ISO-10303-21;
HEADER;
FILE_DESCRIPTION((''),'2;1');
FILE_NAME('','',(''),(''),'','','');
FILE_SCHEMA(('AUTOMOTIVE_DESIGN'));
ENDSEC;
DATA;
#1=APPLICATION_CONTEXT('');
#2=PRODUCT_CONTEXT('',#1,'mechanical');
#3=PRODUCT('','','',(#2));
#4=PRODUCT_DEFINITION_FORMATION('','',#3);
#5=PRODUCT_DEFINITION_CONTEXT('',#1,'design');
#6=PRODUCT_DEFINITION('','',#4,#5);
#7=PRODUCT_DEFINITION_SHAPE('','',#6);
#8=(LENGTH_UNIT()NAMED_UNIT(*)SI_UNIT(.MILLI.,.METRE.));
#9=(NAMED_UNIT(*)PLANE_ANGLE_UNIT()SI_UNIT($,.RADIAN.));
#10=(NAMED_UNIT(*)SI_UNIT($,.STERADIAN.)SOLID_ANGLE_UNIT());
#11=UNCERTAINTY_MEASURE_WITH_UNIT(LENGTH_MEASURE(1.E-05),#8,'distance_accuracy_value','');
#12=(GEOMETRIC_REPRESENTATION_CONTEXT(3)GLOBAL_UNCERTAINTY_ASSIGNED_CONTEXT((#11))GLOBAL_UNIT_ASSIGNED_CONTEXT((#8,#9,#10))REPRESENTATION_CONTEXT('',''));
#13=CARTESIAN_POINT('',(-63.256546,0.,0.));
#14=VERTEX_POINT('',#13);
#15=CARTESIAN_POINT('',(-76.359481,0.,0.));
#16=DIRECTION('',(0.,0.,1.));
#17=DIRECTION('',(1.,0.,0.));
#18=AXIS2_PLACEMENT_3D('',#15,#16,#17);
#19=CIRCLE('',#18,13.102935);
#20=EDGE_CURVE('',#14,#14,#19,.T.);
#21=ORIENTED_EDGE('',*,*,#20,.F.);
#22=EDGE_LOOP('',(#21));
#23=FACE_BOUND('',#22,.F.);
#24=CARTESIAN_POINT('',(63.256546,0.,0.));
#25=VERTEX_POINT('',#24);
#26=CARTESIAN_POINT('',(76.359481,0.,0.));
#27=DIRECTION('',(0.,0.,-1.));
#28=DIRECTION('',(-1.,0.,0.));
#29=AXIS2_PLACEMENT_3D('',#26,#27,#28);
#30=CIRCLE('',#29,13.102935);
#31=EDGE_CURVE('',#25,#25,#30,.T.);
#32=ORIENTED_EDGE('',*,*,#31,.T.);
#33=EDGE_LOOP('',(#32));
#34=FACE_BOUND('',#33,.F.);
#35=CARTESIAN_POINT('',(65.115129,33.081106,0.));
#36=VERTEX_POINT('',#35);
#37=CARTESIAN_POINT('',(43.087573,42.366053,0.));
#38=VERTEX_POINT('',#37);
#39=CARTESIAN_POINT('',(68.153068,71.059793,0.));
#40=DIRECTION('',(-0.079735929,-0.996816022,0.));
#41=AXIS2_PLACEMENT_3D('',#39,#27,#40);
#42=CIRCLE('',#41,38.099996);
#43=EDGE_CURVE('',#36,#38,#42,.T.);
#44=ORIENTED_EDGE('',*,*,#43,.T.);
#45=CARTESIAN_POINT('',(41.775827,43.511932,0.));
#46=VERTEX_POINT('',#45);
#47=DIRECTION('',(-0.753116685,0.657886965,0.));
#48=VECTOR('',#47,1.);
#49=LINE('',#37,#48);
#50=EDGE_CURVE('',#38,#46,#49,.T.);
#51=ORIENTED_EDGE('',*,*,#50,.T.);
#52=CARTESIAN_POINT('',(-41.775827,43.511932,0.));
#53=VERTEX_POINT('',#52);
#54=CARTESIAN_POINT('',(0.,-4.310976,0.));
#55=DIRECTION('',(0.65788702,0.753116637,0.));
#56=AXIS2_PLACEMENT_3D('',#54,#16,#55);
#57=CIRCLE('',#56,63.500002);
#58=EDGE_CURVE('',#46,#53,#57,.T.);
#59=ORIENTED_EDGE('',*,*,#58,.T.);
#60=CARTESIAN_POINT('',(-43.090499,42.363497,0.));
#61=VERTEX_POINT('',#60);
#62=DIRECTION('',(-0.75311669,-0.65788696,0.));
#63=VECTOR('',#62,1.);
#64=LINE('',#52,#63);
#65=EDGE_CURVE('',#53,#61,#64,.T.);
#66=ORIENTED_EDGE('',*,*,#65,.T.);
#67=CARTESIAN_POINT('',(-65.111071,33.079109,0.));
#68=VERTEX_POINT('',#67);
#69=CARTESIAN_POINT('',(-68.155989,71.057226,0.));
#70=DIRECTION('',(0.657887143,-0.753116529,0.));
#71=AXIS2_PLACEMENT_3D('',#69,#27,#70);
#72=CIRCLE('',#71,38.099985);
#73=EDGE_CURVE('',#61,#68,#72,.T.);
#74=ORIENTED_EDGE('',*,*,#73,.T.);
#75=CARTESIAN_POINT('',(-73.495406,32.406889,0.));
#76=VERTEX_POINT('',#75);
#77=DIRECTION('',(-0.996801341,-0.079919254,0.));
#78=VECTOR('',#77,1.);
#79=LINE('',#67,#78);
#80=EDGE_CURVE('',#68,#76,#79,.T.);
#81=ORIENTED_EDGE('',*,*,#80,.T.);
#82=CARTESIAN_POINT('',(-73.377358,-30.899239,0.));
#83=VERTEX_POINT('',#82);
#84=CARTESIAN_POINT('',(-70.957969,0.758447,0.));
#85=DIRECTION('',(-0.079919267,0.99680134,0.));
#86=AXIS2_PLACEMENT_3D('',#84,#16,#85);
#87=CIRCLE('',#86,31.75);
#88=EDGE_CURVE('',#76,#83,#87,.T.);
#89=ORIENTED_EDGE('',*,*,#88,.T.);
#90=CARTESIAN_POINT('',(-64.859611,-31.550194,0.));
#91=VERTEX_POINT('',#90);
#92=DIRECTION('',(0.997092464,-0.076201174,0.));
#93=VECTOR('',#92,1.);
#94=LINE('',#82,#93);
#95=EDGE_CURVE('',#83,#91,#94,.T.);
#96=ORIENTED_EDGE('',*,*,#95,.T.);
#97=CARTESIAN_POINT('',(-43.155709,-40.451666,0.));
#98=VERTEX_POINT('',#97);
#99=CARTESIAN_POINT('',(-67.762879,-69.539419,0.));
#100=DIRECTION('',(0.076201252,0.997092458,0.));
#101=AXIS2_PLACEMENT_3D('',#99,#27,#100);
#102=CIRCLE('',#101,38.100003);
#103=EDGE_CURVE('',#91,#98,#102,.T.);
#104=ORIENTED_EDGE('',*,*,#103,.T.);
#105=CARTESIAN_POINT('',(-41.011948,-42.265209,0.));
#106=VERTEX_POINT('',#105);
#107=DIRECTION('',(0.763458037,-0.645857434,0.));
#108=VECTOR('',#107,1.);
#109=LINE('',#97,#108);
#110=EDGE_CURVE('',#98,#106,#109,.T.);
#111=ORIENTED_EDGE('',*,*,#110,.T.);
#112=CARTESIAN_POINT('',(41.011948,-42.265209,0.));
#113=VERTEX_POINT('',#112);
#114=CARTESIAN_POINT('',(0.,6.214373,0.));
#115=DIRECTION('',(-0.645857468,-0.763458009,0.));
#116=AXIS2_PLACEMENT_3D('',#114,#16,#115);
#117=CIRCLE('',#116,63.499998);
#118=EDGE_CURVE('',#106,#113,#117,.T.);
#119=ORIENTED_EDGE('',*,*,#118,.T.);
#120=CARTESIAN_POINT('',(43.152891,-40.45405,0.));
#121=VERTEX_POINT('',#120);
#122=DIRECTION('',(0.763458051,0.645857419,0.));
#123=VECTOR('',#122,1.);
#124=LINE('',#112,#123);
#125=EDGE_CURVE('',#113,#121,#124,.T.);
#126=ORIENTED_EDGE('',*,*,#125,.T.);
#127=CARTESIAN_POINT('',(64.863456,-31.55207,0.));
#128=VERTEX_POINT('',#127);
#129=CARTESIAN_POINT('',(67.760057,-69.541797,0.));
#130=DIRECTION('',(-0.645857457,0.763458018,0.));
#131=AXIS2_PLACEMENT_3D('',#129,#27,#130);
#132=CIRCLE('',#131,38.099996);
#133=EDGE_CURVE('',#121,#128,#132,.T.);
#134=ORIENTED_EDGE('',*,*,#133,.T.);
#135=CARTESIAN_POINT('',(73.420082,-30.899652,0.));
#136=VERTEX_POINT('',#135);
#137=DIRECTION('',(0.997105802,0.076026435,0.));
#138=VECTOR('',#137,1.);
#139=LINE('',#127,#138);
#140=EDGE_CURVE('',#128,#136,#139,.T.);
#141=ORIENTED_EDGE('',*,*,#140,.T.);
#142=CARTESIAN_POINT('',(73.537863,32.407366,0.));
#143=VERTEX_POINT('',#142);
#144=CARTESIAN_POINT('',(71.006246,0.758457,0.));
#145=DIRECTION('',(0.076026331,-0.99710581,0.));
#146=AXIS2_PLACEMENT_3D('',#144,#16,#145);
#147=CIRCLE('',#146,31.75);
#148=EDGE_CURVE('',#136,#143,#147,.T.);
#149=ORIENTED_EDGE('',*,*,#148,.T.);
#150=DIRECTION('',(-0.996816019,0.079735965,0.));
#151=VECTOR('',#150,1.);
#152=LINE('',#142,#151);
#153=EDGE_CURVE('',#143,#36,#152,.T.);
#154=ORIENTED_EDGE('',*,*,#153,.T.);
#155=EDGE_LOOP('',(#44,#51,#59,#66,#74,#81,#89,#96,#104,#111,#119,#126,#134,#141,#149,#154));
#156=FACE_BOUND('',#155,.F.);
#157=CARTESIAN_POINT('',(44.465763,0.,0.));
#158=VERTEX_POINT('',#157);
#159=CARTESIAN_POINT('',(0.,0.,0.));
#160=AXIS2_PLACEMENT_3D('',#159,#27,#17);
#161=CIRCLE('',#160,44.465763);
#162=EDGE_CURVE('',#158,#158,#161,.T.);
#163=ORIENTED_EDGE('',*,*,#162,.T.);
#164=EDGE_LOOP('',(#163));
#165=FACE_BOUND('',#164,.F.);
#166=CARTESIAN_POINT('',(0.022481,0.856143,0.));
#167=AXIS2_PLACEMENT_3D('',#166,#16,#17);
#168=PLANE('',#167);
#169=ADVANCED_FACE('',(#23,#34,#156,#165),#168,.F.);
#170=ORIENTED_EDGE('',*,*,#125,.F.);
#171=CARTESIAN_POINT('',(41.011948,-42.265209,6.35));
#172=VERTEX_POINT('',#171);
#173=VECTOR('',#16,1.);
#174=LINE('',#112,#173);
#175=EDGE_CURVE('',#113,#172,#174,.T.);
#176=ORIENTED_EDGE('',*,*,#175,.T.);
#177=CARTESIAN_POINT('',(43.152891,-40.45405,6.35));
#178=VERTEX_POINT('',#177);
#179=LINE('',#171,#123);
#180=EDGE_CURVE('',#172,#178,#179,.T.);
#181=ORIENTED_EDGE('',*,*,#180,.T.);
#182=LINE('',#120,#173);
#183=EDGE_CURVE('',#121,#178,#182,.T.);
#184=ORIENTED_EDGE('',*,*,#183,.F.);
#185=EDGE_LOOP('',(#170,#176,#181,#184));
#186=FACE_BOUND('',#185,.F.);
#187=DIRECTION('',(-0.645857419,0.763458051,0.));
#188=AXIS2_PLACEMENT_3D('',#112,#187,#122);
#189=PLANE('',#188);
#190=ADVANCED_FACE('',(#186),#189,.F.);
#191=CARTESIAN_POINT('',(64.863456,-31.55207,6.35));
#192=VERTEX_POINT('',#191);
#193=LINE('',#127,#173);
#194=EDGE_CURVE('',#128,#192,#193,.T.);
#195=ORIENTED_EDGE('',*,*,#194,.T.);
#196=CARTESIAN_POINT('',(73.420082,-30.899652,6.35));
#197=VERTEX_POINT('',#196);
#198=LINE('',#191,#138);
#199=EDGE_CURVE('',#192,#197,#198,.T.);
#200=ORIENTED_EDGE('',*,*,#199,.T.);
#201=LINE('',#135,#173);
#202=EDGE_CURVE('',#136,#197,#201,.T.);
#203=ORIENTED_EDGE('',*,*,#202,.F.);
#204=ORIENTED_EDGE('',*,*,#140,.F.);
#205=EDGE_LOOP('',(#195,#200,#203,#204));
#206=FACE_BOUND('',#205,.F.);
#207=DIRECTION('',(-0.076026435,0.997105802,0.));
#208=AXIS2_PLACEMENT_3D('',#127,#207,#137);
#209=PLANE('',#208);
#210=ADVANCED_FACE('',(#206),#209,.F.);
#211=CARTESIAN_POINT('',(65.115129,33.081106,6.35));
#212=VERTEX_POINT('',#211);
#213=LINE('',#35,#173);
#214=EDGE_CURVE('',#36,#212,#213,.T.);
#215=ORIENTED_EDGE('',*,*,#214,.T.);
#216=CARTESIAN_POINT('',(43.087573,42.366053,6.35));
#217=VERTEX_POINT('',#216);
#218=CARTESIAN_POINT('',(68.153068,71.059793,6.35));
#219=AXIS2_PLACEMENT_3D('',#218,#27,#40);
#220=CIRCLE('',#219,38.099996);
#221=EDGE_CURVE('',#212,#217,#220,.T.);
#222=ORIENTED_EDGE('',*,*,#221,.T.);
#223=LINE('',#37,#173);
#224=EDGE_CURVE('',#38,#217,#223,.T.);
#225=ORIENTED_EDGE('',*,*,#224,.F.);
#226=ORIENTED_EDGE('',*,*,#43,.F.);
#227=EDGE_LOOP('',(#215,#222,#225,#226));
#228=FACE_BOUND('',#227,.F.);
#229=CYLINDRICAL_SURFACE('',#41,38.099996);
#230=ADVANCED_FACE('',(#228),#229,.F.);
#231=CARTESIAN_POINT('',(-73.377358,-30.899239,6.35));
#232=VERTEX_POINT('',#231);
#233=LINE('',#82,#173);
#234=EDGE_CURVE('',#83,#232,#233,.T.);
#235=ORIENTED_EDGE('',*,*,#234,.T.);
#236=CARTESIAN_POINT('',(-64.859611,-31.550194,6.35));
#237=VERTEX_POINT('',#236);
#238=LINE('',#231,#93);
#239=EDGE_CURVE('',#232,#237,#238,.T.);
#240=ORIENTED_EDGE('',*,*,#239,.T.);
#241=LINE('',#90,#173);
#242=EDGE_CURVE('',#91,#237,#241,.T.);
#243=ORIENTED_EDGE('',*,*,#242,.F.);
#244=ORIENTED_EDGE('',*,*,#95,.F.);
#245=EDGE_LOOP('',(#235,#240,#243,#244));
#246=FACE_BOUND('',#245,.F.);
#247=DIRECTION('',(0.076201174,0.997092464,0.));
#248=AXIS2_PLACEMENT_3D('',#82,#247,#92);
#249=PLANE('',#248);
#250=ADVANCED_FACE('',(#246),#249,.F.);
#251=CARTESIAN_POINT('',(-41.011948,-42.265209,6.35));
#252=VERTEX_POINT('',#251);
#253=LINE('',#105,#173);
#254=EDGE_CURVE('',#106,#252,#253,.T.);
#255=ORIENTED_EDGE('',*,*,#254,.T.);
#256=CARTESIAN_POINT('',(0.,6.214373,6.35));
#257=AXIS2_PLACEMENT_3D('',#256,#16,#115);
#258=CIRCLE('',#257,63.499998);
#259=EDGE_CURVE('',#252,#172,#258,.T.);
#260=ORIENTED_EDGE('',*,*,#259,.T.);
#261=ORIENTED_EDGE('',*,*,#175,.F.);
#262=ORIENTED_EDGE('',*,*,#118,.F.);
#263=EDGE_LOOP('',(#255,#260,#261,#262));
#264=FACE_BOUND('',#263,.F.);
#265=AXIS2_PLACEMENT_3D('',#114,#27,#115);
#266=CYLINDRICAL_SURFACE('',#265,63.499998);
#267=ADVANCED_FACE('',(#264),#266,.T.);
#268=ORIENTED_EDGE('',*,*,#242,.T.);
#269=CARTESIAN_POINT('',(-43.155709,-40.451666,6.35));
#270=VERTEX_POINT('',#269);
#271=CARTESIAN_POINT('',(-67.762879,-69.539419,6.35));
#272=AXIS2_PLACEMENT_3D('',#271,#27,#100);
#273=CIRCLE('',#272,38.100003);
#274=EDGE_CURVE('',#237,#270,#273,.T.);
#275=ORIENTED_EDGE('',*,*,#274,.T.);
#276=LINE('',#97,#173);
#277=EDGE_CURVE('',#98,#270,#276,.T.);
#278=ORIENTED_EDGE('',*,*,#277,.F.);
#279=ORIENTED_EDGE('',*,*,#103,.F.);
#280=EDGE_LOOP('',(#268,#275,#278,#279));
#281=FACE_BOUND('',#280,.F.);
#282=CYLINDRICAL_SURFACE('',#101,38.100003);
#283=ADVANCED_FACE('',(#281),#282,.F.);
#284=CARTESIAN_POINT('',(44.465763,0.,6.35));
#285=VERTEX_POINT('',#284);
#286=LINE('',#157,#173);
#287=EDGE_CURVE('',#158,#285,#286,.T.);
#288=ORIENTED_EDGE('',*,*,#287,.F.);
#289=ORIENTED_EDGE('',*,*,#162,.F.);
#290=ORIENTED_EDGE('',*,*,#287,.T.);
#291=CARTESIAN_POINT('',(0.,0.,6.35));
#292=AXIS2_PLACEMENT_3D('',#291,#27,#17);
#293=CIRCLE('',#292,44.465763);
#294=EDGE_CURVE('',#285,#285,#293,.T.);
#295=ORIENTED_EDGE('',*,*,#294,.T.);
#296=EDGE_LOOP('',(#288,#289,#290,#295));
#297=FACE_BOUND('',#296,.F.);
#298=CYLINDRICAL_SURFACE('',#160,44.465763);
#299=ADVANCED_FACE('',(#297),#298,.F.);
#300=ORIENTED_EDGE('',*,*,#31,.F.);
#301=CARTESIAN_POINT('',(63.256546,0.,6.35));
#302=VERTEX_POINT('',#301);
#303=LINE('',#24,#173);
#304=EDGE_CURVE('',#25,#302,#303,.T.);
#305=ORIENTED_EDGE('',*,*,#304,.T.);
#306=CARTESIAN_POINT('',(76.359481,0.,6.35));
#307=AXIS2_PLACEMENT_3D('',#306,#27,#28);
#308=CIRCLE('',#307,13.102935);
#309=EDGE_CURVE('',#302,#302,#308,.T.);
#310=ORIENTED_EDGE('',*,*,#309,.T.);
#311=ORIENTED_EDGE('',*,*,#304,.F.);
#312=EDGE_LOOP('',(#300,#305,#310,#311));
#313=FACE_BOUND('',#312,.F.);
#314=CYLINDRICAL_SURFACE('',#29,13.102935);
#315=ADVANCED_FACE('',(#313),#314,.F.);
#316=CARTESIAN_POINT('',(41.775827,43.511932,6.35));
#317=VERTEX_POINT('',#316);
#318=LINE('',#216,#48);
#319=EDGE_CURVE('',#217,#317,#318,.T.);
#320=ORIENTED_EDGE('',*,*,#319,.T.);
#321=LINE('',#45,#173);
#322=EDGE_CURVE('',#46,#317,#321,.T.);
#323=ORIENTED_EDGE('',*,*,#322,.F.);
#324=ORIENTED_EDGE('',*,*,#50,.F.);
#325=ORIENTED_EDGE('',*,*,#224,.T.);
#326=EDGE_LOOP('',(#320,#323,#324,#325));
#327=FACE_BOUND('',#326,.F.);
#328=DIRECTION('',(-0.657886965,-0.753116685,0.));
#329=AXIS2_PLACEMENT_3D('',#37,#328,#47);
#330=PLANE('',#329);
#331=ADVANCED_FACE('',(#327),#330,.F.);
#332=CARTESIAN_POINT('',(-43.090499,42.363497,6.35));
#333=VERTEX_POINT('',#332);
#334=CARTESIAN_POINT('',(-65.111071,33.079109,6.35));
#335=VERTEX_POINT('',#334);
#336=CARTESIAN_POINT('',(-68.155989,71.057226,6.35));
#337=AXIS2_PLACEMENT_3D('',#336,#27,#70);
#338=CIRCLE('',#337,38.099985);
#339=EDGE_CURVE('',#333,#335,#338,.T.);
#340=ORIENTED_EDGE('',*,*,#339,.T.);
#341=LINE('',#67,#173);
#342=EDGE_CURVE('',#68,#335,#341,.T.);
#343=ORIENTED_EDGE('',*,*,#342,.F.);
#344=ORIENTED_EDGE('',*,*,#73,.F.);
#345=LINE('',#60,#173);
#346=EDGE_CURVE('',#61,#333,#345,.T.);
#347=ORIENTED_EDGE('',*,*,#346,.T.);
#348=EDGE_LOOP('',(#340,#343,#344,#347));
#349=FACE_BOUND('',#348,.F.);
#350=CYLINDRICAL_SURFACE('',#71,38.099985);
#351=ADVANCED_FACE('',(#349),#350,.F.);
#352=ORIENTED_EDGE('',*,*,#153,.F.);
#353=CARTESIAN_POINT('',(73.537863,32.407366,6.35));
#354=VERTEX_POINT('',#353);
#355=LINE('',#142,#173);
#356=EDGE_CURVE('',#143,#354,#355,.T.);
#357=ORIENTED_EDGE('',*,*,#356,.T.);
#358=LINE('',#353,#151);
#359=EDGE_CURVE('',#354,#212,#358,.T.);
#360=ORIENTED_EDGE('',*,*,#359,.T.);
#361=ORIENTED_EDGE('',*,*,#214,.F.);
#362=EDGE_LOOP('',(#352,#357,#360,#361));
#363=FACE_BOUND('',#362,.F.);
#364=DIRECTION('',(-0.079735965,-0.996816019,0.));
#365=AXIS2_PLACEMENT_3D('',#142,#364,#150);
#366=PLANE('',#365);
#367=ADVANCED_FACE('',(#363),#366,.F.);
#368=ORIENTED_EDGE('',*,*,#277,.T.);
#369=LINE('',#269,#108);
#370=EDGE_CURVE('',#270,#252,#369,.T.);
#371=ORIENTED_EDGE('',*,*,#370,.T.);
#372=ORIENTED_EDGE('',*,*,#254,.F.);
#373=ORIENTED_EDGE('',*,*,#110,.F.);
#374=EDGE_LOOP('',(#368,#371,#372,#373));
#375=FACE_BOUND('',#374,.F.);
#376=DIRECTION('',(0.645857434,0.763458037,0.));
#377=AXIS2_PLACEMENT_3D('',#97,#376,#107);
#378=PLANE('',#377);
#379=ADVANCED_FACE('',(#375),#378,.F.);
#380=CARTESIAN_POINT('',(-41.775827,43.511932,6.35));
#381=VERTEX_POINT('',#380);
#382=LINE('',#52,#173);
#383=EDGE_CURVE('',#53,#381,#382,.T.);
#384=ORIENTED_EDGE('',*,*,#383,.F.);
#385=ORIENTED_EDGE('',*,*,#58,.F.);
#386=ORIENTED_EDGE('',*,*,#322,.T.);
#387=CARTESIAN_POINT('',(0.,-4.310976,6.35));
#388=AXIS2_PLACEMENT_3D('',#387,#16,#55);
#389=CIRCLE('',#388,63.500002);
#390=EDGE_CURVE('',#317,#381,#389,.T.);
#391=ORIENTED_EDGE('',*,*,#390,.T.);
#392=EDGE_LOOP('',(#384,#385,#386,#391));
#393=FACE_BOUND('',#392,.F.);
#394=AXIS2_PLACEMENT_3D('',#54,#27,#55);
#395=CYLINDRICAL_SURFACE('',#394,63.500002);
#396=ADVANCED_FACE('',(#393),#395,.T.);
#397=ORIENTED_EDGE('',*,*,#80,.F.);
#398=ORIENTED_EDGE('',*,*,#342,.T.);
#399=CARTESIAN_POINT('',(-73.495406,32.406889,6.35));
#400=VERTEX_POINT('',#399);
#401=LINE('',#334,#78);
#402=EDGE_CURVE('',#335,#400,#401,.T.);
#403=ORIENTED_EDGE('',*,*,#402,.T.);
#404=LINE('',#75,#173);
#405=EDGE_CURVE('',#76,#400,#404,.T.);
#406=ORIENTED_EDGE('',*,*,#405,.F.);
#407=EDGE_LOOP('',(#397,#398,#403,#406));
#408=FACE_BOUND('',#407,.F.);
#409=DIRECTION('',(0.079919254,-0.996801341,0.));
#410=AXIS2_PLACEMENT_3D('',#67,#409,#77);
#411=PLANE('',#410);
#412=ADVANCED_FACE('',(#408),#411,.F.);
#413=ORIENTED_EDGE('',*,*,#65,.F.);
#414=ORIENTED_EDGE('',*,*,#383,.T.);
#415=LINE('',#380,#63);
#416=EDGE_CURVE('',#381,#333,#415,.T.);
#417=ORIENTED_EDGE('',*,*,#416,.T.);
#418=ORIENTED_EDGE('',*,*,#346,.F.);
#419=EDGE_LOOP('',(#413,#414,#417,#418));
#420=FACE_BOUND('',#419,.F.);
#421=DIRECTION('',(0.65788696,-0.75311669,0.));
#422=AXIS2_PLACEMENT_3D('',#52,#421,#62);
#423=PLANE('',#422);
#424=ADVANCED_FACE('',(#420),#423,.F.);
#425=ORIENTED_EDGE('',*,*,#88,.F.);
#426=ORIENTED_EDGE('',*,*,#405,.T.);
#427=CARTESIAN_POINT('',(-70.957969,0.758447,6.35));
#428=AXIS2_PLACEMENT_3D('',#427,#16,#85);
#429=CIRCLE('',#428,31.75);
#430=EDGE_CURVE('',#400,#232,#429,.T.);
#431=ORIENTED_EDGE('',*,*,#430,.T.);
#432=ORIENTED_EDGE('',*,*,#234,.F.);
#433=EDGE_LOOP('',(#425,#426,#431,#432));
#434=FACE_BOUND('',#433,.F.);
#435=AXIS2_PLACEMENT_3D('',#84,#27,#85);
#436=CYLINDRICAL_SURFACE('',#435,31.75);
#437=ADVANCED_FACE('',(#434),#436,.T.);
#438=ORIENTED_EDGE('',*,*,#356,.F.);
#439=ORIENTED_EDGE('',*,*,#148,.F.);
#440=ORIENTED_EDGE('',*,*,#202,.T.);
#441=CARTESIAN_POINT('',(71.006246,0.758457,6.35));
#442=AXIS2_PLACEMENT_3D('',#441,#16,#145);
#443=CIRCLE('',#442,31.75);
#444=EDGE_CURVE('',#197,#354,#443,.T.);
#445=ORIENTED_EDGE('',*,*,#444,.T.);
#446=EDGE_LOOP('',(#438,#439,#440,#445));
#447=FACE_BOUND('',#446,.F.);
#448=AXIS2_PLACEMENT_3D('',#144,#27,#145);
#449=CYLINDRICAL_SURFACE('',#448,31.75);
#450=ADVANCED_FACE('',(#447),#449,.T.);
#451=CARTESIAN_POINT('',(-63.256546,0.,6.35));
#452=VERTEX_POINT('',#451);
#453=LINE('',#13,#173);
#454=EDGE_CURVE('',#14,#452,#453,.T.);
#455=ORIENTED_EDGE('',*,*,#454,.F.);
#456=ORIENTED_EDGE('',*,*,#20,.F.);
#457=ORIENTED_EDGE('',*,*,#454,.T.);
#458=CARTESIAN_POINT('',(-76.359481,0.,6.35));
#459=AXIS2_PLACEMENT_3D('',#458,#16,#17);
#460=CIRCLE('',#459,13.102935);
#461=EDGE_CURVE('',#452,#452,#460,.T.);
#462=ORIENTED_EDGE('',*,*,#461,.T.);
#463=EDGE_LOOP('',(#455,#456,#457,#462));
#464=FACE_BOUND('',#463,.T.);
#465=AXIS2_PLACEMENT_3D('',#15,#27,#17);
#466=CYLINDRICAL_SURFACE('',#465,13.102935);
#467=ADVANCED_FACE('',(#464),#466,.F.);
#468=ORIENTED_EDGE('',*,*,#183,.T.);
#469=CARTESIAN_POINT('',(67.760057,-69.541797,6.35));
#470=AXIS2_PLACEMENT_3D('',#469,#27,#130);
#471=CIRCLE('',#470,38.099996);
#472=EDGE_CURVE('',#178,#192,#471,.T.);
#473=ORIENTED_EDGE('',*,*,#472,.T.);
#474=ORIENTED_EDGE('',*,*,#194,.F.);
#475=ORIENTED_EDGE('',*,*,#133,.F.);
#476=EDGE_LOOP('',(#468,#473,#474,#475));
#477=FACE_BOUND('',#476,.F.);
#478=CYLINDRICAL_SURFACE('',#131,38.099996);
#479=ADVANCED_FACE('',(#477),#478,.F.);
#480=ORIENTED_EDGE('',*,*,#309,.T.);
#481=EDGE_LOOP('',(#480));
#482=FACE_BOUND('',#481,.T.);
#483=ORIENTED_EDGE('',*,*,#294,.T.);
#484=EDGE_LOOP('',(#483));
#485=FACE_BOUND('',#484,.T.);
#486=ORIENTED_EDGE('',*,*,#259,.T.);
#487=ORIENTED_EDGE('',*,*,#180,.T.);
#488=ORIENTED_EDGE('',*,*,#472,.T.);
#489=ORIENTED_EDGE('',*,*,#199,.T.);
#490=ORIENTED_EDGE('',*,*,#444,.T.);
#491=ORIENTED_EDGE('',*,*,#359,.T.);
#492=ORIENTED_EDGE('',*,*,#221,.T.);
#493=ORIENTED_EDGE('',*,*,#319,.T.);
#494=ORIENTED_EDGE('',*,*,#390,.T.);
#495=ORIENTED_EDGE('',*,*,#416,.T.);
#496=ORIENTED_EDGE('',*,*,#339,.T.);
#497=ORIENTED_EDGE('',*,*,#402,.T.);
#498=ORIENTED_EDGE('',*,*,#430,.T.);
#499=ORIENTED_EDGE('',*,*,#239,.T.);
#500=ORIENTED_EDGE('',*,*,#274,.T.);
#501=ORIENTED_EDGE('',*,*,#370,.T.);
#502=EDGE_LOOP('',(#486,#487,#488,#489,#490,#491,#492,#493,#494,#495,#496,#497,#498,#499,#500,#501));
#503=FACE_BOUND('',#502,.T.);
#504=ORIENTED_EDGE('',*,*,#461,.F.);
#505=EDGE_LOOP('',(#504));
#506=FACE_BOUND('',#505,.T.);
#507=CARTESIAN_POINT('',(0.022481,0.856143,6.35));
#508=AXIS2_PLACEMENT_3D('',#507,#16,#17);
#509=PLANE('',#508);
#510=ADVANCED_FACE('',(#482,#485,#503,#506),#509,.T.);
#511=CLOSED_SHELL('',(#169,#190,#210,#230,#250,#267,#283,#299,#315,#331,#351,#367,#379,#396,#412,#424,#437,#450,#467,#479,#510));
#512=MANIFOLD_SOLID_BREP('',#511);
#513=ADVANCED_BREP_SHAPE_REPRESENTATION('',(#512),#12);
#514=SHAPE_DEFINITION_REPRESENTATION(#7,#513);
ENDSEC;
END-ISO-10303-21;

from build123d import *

# Parameters (mm, degrees)
F0_R     = 13.102935
F1_DEPTH = 6.35


with BuildPart() as f1:
    # F0 (on Top) → F1 (new body)
    with BuildSketch(Plane.XY):
        with BuildLine():
            Line((-65.111071, 33.079109), (-73.495406, 32.406889))
            ThreePointArc((-73.495406, 32.406889), (-102.707914, 0.699242), (-73.377358, -30.899239))
            Line((-73.377358, -30.899239), (-64.859611, -31.550194))
            ThreePointArc((-64.859611, -31.550194), (-53.305524, -34.288957), (-43.155709, -40.451666))
            Line((-43.155709, -40.451666), (-41.011948, -42.265209))
            ThreePointArc((-41.011948, -42.265209), (0, -57.285625), (41.011948, -42.265209))
            Line((41.011948, -42.265209), (43.152891, -40.45405))
            ThreePointArc((43.152891, -40.45405), (53.305798, -34.290073), (64.863456, -31.55207))
            Line((64.863456, -31.55207), (73.420082, -30.899652))
            ThreePointArc((73.420082, -30.899652), (102.756191, 0.699387), (73.537863, 32.407366))
            Line((73.537863, 32.407366), (65.115129, 33.081106))
            ThreePointArc((65.115129, 33.081106), (53.354307, 35.951298), (43.087573, 42.366053))
            Line((43.087573, 42.366053), (41.775827, 43.511932))
            ThreePointArc((41.775827, 43.511932), (0, 59.189026), (-41.775827, 43.511932))
            Line((-41.775827, 43.511932), (-43.090499, 42.363497))
            ThreePointArc((-43.090499, 42.363497), (-53.354005, 35.950102), (-65.111071, 33.079109))
        make_face()
        with Locations((-76.359481, 0)):
            Circle(F0_R, mode=Mode.SUBTRACT)
        with BuildLine():
            ThreePointArc((-44.465763, 0), (0, 44.465763), (44.465763, 0))
            ThreePointArc((44.465763, 0), (0, -44.465763), (-44.465763, 0))
        make_face(mode=Mode.SUBTRACT)
        with BuildLine():
            ThreePointArc((89.462416, 0), (76.359481, -13.102935), (63.256546, 0))
            ThreePointArc((63.256546, 0), (76.359481, 13.102935), (89.462416, 0))
        make_face(mode=Mode.SUBTRACT)
    extrude(amount=F1_DEPTH)


solid = f1.part
